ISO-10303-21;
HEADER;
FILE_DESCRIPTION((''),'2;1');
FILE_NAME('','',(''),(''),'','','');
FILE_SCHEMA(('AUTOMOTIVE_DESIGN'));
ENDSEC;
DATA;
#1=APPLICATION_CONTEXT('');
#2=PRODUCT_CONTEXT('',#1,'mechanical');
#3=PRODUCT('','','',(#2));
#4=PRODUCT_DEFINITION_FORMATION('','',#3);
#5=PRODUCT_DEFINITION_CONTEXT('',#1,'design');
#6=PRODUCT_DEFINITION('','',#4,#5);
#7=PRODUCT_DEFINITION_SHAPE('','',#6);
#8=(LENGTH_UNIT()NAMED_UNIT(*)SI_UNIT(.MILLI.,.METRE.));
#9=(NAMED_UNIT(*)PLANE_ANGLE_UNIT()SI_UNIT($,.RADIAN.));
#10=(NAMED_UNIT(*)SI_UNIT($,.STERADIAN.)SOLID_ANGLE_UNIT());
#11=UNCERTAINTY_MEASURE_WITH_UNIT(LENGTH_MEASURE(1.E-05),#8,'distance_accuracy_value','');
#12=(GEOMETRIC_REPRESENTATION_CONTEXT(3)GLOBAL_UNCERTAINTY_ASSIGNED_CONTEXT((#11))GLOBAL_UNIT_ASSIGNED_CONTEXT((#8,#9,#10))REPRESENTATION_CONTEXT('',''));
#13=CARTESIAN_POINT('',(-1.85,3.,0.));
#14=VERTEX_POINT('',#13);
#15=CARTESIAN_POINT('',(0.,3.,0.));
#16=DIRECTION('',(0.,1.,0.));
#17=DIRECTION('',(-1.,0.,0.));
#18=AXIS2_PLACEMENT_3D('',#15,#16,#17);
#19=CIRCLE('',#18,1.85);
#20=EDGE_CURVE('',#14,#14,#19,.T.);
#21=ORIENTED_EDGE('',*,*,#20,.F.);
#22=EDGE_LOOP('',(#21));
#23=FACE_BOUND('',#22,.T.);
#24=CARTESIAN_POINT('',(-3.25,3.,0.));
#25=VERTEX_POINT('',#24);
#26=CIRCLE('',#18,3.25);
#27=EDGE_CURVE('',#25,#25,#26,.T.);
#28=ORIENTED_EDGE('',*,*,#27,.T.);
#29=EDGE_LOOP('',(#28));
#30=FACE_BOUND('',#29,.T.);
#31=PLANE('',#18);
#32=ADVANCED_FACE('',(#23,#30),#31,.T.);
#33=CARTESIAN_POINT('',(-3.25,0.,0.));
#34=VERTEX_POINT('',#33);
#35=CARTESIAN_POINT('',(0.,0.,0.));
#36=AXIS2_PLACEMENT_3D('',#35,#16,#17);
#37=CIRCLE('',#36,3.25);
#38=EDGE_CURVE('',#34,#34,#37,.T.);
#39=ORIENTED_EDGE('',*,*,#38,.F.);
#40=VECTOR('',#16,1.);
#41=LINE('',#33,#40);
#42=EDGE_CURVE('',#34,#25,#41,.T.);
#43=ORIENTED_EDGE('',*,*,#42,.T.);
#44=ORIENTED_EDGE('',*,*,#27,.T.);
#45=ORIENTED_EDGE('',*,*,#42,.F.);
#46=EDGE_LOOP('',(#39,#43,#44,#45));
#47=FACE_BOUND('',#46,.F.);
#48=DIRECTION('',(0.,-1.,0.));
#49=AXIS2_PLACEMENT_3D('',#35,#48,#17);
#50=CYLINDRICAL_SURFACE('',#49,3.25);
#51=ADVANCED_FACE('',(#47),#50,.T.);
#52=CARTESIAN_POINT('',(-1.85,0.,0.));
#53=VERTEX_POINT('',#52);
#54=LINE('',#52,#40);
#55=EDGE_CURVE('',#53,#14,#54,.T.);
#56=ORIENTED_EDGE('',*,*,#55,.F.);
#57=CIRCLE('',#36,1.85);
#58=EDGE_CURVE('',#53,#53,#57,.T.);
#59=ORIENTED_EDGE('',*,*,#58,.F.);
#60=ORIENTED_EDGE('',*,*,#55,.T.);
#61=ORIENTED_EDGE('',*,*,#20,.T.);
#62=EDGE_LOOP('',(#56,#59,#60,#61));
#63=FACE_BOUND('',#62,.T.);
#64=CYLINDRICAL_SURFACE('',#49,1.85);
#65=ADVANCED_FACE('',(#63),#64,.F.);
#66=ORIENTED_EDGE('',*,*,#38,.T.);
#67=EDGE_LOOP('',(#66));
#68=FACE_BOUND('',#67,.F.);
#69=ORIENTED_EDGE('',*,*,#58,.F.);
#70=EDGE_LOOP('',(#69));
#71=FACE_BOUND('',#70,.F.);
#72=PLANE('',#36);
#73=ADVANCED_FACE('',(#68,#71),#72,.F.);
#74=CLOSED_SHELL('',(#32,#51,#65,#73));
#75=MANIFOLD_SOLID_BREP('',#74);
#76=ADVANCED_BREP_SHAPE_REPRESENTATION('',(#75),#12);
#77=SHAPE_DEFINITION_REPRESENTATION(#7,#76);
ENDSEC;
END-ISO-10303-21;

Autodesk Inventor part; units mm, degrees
ref_plane "YZ Plane" through (0, 0, 0) normal (1, 0, 0) x (0, 1, 0)
ref_plane "XZ Plane" through (0, 0, 0) normal (0, 1, 0) x (-1, 0, 0)
ref_plane "XY Plane" through (0, 0, 0) normal (0, 0, 1) x (1, 0, 0)
sketch "スケッチ1" plane through (0, 0, 0) normal (0, 1, 0) x (-1, 0, 0)
  circle A0 centre (0, 0) radius 1.85
  circle A1 centre (0, 0) radius 3.25
  dimension "d0" = 1.4
  dimension "d1" = 3.7
extrude "押し出し1" add sketch "スケッチ1" along normal blind 3
equation "\"BendRadius\" = Thickness"
equation "\"BendReliefWidth\" = Thickness"
equation "\"BendReliefDepth\" = 0.5 * Thickness"
equation "\"CornerReliefSize\" = 4 * Thickness"
equation "\"MinimumRemnant\" = 2 * Thickness"
equation "\"TransitionRadius\" = BendRadius"
equation "\"JacobiRadiusSize\" = Thickness"
equation "\"GapSize\" = Thickness"
equation "\"Thickness\" = 0.5"
properties part number "arduino-spacer"
